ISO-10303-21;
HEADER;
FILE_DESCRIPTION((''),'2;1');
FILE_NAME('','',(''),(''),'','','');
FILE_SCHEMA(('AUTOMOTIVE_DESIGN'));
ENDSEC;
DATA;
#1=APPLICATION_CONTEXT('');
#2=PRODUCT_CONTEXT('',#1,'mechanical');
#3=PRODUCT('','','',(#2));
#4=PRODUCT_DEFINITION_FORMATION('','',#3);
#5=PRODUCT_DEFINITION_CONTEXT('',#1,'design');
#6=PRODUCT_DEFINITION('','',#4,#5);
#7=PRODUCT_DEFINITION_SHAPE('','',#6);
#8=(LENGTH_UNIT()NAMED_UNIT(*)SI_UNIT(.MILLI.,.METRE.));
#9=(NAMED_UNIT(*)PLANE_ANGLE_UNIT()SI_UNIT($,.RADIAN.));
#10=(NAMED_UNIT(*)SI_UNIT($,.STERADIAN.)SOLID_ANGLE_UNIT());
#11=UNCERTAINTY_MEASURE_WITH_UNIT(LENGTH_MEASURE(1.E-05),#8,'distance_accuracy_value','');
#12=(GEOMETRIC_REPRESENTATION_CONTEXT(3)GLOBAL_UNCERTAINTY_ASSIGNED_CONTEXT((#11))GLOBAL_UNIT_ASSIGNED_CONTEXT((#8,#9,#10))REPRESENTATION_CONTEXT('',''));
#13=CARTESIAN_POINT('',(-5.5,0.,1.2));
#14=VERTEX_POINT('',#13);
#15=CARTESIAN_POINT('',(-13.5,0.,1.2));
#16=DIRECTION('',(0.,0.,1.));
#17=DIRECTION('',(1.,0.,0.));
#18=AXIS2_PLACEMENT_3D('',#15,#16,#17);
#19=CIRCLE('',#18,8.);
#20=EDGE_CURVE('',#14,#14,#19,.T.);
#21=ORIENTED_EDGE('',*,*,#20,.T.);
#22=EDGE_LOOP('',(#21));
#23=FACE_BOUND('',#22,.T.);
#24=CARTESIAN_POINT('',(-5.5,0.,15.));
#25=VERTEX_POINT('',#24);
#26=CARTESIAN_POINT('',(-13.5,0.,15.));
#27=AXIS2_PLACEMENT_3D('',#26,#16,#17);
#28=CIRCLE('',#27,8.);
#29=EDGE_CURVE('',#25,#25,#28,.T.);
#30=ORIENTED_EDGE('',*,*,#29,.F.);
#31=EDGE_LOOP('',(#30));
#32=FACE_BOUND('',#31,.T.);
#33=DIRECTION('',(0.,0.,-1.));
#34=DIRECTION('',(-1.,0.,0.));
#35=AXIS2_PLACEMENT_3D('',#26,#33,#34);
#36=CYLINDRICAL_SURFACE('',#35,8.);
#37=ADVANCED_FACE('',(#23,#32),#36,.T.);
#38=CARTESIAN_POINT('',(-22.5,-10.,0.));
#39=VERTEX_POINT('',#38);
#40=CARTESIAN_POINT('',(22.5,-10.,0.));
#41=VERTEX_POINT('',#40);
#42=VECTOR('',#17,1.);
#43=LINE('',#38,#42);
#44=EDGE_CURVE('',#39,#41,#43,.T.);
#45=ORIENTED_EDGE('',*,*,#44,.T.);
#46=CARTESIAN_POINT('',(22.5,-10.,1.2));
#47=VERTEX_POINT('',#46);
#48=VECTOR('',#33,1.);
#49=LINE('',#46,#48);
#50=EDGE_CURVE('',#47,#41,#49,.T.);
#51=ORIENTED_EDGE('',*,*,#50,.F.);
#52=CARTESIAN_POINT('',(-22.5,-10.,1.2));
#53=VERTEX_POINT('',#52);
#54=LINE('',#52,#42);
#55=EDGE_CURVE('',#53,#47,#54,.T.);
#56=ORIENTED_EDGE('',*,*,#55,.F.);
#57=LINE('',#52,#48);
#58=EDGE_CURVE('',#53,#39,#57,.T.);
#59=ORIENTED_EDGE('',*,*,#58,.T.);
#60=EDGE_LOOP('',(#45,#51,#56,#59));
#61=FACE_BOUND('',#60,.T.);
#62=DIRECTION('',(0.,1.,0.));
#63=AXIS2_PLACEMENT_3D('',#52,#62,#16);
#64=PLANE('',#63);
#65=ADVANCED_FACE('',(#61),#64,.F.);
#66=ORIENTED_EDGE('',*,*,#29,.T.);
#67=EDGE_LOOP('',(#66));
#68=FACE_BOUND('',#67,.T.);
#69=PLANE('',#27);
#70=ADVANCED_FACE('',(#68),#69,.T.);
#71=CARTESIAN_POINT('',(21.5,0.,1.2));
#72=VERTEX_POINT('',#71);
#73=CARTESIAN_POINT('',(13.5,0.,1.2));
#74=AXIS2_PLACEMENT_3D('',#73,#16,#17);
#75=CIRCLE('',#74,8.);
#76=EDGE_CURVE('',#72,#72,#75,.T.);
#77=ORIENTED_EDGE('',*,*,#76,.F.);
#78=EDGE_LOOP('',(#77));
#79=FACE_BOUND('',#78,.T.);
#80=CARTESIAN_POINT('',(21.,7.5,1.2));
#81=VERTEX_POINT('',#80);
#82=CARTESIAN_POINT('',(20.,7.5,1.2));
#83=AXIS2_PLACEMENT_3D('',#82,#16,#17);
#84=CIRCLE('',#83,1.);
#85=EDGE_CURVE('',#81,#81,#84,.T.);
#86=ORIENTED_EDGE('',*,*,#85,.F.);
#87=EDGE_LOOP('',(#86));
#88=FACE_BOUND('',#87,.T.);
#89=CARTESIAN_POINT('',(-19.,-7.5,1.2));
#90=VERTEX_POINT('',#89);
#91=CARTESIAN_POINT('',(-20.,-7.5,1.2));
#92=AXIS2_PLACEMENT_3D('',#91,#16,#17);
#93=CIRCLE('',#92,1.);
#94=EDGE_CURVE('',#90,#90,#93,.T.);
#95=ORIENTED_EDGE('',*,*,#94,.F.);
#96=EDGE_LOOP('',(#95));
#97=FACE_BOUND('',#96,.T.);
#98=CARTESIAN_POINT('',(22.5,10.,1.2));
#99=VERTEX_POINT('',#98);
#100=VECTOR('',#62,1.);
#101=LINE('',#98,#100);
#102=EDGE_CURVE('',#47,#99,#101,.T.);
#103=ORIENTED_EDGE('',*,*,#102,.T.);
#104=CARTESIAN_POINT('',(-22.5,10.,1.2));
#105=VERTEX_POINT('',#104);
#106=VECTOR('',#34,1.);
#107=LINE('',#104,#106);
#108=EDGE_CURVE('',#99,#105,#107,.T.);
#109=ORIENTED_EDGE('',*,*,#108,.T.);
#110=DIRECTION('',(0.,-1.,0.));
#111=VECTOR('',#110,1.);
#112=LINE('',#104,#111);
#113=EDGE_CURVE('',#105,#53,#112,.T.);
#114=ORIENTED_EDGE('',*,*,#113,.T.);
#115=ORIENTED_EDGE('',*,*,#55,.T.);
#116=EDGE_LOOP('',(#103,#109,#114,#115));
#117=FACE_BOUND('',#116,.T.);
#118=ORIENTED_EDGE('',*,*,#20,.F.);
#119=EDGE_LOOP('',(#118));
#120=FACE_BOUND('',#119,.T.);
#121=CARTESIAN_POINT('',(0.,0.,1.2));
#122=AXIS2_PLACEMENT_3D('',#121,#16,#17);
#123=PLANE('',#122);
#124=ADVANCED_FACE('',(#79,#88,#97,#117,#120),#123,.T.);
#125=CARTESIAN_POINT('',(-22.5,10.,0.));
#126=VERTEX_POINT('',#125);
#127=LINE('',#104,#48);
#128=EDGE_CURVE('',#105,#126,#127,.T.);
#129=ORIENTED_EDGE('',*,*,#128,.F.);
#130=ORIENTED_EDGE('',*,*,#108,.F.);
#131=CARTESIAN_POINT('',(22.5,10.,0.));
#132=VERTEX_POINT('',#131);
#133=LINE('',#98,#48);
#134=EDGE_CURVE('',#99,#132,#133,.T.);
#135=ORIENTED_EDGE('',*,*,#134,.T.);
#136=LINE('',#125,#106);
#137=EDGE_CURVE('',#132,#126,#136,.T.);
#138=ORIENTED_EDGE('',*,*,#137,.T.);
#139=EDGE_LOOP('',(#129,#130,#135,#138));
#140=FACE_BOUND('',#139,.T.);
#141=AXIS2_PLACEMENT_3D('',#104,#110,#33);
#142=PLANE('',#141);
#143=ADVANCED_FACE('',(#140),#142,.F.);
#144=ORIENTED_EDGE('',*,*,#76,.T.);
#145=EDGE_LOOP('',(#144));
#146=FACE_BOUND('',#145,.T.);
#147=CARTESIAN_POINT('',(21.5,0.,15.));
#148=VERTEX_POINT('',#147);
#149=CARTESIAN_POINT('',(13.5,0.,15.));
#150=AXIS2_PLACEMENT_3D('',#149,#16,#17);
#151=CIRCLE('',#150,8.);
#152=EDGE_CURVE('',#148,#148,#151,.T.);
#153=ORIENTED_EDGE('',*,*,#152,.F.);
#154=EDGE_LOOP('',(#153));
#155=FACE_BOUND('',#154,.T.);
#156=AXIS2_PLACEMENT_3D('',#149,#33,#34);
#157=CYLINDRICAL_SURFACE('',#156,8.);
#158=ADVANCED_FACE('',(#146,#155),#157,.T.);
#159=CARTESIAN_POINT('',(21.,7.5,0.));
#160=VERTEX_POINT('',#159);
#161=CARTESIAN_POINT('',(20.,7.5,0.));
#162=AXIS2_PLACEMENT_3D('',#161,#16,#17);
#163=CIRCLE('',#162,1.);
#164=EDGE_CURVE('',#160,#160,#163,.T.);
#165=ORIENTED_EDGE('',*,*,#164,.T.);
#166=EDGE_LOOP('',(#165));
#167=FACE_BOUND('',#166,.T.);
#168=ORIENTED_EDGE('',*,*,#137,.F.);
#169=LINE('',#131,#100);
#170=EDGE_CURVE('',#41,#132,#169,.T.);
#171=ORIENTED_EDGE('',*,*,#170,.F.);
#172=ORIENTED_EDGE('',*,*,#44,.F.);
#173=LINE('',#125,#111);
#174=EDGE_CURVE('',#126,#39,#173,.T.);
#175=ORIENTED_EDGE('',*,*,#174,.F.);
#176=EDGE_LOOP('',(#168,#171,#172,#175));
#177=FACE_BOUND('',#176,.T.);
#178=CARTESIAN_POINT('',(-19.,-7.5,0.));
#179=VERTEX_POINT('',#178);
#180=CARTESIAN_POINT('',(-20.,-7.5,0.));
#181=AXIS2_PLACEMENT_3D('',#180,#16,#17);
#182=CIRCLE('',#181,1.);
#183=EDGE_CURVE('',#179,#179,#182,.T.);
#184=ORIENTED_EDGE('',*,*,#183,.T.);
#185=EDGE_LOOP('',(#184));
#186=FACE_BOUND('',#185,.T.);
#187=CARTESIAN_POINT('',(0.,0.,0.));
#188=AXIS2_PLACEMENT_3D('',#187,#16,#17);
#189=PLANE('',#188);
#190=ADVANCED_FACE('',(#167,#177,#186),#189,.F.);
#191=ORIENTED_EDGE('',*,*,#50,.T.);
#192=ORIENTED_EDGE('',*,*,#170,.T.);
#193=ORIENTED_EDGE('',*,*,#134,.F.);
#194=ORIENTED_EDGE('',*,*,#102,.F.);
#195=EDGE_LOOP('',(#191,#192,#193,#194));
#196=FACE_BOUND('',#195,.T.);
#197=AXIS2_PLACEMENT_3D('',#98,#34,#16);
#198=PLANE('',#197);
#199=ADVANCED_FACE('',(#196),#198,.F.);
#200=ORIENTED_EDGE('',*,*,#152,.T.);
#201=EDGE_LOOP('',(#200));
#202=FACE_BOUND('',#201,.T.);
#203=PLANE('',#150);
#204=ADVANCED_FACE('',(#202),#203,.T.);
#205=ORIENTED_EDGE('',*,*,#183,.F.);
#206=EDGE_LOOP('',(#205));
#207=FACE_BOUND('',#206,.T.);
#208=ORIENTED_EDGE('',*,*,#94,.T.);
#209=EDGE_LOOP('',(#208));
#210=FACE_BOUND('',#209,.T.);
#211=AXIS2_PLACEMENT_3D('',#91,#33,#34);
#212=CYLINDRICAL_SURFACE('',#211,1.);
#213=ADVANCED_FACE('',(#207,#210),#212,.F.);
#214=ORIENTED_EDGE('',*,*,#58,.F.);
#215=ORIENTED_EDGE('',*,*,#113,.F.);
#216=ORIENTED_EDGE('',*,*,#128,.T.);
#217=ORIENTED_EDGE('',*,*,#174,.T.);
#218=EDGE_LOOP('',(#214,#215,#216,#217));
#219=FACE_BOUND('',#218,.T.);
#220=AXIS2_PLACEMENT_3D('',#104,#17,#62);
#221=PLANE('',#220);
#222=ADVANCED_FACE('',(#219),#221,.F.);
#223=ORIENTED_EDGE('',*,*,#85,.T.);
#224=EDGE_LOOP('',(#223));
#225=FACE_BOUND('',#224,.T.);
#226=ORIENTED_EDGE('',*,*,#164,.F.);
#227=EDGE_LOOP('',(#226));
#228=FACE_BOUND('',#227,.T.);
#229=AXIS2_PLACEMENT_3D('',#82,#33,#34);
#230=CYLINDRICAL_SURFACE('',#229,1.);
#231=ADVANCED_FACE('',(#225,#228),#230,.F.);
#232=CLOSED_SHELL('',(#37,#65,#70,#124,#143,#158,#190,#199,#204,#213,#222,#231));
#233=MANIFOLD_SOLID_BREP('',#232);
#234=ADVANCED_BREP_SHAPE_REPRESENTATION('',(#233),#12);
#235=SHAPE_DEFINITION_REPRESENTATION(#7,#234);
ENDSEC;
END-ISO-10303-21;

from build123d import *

# Parameters (mm, degrees)
SKETCH1_W           = 45
SKETCH1_H           = 20
SKETCH1_R           = 1
BOSS_EXTRUDE1_DEPTH = 1.2
SKETCH2_R           = 8
BOSS_EXTRUDE2_DEPTH = 13.8


with BuildPart() as part:
    # Sketch1 → Boss-Extrude1 (new body)
    with BuildSketch(Plane.XY):
        Rectangle(SKETCH1_W, SKETCH1_H)
        with Locations((20, 7.5)):
            Circle(SKETCH1_R, mode=Mode.SUBTRACT)
        with Locations((-20, -7.5)):
            Circle(SKETCH1_R, mode=Mode.SUBTRACT)
    extrude(amount=BOSS_EXTRUDE1_DEPTH)

    # Sketch2 → Boss-Extrude2 (add)
    with BuildSketch(Plane.XY.offset(1.2)):
        with Locations((13.5, 0)):
            Circle(SKETCH2_R)
        with Locations((-13.5, 0)):
            Circle(SKETCH2_R)
    extrude(amount=BOSS_EXTRUDE2_DEPTH)


solid = part.part
